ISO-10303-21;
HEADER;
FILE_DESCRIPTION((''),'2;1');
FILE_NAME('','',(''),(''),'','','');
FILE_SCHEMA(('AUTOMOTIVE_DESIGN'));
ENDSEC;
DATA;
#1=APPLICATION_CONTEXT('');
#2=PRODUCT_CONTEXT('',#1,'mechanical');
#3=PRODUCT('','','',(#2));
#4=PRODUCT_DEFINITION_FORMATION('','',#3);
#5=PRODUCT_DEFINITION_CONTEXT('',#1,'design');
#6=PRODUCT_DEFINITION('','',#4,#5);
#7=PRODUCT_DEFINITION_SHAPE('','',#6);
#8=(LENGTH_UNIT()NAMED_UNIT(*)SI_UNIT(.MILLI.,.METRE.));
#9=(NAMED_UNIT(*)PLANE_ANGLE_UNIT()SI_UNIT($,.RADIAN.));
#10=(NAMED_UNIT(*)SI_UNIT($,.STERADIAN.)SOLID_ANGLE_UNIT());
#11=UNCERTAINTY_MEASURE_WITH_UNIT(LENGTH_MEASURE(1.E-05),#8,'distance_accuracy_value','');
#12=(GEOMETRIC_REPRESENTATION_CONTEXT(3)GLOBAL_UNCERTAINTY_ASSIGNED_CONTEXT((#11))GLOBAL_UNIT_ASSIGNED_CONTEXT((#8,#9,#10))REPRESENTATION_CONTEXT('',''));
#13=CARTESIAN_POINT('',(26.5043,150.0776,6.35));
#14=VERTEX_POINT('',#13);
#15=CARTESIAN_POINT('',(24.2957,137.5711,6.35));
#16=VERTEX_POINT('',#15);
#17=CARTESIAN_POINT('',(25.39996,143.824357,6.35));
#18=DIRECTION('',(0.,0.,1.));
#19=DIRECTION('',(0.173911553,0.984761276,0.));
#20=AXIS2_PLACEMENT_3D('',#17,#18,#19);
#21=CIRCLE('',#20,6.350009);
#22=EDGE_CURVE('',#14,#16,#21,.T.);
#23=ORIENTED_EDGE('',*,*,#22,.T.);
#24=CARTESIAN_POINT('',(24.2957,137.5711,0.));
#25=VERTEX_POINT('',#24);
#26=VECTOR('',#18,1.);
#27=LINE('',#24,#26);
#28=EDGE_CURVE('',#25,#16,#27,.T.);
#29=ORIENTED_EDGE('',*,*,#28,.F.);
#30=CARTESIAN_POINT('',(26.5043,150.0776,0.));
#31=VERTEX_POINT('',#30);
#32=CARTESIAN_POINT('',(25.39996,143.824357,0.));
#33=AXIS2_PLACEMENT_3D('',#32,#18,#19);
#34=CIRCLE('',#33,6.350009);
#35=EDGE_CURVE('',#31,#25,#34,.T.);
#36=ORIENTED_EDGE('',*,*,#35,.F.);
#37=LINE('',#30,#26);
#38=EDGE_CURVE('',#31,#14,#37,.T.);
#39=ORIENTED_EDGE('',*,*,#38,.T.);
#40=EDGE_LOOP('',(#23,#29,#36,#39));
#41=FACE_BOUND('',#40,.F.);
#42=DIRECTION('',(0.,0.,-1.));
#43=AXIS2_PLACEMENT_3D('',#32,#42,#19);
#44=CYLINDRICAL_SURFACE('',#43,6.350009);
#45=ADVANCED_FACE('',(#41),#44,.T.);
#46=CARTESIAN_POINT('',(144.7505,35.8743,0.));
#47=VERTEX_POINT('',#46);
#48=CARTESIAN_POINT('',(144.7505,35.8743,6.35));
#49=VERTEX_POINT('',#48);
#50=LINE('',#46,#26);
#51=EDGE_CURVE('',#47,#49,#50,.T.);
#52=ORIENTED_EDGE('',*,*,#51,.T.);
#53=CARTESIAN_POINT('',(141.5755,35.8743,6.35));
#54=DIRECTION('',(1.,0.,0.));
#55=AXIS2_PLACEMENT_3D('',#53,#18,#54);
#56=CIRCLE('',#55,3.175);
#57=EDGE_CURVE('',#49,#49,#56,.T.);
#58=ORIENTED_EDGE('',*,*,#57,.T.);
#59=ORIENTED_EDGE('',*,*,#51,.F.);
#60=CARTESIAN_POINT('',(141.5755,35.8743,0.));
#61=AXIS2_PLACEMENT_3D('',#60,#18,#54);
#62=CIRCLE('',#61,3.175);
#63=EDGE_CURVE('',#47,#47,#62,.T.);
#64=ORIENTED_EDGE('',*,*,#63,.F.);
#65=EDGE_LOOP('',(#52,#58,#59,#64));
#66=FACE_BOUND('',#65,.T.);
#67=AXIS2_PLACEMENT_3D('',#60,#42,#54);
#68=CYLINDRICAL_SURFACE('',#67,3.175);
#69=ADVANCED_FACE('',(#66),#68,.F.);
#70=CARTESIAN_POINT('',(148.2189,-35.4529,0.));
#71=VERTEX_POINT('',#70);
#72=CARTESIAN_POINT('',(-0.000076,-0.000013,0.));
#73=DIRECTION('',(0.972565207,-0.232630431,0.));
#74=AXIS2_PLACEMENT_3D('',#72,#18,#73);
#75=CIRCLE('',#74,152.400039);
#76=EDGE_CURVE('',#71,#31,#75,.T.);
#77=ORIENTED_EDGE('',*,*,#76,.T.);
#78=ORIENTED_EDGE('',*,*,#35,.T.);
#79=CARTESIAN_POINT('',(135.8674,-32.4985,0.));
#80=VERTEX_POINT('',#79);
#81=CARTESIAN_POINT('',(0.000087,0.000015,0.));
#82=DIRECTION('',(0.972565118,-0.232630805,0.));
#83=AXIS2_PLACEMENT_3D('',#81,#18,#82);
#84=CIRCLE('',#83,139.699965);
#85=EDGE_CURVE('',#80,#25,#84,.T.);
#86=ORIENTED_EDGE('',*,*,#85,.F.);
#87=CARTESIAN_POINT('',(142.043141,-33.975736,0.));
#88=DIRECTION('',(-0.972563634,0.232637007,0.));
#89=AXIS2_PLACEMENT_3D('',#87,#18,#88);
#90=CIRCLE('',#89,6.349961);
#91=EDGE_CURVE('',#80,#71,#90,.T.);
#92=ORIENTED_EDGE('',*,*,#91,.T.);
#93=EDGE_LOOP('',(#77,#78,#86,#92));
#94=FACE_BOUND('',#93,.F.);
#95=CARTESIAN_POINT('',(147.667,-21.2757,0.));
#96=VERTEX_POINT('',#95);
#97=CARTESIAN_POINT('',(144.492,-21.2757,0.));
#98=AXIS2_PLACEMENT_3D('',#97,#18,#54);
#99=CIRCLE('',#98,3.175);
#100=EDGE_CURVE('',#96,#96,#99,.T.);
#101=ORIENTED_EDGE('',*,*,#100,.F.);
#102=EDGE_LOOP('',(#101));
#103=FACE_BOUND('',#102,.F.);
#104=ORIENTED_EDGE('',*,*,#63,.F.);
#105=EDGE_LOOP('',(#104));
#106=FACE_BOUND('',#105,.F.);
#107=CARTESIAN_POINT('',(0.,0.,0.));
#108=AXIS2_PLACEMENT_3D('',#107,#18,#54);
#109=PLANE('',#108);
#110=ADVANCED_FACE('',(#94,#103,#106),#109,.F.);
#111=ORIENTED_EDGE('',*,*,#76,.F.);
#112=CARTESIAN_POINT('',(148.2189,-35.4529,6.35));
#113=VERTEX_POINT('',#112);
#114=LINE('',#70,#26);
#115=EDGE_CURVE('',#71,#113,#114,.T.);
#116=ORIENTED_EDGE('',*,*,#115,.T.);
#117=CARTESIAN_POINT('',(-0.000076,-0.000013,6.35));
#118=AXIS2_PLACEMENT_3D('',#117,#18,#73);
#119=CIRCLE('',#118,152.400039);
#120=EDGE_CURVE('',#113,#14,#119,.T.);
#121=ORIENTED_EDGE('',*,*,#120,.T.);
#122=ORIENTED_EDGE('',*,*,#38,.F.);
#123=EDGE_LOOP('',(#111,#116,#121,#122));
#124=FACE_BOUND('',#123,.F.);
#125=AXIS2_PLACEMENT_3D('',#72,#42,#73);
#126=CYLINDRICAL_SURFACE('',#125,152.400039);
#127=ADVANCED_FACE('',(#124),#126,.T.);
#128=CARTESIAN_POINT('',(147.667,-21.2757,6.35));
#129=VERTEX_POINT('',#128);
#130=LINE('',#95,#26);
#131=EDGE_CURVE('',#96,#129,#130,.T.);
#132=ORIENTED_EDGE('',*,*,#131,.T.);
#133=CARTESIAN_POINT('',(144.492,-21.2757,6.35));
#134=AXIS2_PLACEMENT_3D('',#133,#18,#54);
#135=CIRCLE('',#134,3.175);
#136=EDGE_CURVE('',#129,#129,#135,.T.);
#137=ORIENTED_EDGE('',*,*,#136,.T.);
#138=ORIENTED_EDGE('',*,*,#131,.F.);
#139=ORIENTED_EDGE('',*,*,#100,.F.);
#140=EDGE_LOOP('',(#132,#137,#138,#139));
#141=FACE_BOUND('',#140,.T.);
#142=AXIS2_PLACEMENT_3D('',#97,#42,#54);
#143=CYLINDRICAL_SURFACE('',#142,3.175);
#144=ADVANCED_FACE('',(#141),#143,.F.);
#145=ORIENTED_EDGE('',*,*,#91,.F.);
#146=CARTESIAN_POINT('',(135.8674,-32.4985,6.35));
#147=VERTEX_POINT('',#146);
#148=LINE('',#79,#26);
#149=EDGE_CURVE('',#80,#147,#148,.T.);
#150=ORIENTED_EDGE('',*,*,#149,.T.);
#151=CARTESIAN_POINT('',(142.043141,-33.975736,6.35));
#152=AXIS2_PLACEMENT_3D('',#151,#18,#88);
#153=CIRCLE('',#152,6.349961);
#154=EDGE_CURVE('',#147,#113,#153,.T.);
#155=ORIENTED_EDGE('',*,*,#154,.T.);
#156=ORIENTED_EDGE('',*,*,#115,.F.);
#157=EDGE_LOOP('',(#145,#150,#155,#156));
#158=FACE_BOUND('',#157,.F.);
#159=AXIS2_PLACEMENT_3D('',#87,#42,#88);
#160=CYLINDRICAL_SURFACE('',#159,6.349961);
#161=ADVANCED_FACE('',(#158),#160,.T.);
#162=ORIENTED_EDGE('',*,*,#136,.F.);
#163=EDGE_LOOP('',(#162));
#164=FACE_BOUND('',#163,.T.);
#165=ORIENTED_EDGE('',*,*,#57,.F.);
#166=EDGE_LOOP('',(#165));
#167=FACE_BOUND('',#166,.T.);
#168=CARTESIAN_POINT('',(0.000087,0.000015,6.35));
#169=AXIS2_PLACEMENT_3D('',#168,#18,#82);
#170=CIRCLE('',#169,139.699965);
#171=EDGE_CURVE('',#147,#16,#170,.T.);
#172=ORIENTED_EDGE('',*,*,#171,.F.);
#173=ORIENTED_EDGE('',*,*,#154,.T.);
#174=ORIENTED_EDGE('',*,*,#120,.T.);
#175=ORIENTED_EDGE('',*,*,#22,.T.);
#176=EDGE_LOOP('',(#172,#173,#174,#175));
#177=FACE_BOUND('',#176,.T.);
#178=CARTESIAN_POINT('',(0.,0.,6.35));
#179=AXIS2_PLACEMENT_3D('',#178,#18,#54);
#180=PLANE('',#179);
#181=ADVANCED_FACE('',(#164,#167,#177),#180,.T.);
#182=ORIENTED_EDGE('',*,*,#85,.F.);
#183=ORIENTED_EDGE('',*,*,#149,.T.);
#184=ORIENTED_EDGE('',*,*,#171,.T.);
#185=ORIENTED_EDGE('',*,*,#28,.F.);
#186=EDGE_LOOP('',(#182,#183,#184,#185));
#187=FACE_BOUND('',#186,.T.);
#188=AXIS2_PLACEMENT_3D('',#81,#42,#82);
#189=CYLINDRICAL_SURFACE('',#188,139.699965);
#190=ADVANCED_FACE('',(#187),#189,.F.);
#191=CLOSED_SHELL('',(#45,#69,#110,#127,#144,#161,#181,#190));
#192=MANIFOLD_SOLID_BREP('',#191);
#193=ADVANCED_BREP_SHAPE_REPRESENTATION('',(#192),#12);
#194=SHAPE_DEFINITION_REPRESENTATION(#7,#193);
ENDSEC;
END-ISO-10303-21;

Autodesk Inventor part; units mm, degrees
ref_plane "YZ Plane" through (0, 0, 0) normal (1, 0, 0) x (0, 1, 0)
ref_plane "XZ Plane" through (0, 0, 0) normal (0, 1, 0) x (-1, 0, 0)
ref_plane "XY Plane" through (0, 0, 0) normal (0, 0, 1) x (1, 0, 0)
sketch "Sketch1" plane through (0, 0, 0) normal (0, 0, 1) x (1, 0, 0)
  arc A0 (135.8674, -32.4985) -> (24.2957, 137.5711) centre (0, 0) ccw
  arc A1 (148.2189, -35.4529) -> (26.5043, 150.0776) centre (0, 0) ccw
  arc A2 (135.8674, -32.4985) -> (148.2189, -35.4529) centre (142.0432, -33.9757) ccw
  arc A3 (26.5043, 150.0776) -> (24.2957, 137.5711) centre (25.4, 143.8243) ccw
  circle A4 centre (144.492, -21.2757) radius 3.175
  circle A5 centre (141.5755, 35.8743) radius 3.175
  dimension "d0" = 279.4
  dimension "d1" = 304.8
  dimension "d2" = 12.7
  dimension "d3" = 177.8
  dimension "d4" = 25.4
  dimension "d5" = 6.35
  dimension "d6" = 6.35
  dimension "d7" = 3.175
  dimension "d8" = 12.7
  dimension "d10" = 3.175
  dimension "d12" = 57.15
extrude "Extrusion1" add sketch "Sketch1" along normal blind 6.35
properties part number "Disk Kicker v2"
